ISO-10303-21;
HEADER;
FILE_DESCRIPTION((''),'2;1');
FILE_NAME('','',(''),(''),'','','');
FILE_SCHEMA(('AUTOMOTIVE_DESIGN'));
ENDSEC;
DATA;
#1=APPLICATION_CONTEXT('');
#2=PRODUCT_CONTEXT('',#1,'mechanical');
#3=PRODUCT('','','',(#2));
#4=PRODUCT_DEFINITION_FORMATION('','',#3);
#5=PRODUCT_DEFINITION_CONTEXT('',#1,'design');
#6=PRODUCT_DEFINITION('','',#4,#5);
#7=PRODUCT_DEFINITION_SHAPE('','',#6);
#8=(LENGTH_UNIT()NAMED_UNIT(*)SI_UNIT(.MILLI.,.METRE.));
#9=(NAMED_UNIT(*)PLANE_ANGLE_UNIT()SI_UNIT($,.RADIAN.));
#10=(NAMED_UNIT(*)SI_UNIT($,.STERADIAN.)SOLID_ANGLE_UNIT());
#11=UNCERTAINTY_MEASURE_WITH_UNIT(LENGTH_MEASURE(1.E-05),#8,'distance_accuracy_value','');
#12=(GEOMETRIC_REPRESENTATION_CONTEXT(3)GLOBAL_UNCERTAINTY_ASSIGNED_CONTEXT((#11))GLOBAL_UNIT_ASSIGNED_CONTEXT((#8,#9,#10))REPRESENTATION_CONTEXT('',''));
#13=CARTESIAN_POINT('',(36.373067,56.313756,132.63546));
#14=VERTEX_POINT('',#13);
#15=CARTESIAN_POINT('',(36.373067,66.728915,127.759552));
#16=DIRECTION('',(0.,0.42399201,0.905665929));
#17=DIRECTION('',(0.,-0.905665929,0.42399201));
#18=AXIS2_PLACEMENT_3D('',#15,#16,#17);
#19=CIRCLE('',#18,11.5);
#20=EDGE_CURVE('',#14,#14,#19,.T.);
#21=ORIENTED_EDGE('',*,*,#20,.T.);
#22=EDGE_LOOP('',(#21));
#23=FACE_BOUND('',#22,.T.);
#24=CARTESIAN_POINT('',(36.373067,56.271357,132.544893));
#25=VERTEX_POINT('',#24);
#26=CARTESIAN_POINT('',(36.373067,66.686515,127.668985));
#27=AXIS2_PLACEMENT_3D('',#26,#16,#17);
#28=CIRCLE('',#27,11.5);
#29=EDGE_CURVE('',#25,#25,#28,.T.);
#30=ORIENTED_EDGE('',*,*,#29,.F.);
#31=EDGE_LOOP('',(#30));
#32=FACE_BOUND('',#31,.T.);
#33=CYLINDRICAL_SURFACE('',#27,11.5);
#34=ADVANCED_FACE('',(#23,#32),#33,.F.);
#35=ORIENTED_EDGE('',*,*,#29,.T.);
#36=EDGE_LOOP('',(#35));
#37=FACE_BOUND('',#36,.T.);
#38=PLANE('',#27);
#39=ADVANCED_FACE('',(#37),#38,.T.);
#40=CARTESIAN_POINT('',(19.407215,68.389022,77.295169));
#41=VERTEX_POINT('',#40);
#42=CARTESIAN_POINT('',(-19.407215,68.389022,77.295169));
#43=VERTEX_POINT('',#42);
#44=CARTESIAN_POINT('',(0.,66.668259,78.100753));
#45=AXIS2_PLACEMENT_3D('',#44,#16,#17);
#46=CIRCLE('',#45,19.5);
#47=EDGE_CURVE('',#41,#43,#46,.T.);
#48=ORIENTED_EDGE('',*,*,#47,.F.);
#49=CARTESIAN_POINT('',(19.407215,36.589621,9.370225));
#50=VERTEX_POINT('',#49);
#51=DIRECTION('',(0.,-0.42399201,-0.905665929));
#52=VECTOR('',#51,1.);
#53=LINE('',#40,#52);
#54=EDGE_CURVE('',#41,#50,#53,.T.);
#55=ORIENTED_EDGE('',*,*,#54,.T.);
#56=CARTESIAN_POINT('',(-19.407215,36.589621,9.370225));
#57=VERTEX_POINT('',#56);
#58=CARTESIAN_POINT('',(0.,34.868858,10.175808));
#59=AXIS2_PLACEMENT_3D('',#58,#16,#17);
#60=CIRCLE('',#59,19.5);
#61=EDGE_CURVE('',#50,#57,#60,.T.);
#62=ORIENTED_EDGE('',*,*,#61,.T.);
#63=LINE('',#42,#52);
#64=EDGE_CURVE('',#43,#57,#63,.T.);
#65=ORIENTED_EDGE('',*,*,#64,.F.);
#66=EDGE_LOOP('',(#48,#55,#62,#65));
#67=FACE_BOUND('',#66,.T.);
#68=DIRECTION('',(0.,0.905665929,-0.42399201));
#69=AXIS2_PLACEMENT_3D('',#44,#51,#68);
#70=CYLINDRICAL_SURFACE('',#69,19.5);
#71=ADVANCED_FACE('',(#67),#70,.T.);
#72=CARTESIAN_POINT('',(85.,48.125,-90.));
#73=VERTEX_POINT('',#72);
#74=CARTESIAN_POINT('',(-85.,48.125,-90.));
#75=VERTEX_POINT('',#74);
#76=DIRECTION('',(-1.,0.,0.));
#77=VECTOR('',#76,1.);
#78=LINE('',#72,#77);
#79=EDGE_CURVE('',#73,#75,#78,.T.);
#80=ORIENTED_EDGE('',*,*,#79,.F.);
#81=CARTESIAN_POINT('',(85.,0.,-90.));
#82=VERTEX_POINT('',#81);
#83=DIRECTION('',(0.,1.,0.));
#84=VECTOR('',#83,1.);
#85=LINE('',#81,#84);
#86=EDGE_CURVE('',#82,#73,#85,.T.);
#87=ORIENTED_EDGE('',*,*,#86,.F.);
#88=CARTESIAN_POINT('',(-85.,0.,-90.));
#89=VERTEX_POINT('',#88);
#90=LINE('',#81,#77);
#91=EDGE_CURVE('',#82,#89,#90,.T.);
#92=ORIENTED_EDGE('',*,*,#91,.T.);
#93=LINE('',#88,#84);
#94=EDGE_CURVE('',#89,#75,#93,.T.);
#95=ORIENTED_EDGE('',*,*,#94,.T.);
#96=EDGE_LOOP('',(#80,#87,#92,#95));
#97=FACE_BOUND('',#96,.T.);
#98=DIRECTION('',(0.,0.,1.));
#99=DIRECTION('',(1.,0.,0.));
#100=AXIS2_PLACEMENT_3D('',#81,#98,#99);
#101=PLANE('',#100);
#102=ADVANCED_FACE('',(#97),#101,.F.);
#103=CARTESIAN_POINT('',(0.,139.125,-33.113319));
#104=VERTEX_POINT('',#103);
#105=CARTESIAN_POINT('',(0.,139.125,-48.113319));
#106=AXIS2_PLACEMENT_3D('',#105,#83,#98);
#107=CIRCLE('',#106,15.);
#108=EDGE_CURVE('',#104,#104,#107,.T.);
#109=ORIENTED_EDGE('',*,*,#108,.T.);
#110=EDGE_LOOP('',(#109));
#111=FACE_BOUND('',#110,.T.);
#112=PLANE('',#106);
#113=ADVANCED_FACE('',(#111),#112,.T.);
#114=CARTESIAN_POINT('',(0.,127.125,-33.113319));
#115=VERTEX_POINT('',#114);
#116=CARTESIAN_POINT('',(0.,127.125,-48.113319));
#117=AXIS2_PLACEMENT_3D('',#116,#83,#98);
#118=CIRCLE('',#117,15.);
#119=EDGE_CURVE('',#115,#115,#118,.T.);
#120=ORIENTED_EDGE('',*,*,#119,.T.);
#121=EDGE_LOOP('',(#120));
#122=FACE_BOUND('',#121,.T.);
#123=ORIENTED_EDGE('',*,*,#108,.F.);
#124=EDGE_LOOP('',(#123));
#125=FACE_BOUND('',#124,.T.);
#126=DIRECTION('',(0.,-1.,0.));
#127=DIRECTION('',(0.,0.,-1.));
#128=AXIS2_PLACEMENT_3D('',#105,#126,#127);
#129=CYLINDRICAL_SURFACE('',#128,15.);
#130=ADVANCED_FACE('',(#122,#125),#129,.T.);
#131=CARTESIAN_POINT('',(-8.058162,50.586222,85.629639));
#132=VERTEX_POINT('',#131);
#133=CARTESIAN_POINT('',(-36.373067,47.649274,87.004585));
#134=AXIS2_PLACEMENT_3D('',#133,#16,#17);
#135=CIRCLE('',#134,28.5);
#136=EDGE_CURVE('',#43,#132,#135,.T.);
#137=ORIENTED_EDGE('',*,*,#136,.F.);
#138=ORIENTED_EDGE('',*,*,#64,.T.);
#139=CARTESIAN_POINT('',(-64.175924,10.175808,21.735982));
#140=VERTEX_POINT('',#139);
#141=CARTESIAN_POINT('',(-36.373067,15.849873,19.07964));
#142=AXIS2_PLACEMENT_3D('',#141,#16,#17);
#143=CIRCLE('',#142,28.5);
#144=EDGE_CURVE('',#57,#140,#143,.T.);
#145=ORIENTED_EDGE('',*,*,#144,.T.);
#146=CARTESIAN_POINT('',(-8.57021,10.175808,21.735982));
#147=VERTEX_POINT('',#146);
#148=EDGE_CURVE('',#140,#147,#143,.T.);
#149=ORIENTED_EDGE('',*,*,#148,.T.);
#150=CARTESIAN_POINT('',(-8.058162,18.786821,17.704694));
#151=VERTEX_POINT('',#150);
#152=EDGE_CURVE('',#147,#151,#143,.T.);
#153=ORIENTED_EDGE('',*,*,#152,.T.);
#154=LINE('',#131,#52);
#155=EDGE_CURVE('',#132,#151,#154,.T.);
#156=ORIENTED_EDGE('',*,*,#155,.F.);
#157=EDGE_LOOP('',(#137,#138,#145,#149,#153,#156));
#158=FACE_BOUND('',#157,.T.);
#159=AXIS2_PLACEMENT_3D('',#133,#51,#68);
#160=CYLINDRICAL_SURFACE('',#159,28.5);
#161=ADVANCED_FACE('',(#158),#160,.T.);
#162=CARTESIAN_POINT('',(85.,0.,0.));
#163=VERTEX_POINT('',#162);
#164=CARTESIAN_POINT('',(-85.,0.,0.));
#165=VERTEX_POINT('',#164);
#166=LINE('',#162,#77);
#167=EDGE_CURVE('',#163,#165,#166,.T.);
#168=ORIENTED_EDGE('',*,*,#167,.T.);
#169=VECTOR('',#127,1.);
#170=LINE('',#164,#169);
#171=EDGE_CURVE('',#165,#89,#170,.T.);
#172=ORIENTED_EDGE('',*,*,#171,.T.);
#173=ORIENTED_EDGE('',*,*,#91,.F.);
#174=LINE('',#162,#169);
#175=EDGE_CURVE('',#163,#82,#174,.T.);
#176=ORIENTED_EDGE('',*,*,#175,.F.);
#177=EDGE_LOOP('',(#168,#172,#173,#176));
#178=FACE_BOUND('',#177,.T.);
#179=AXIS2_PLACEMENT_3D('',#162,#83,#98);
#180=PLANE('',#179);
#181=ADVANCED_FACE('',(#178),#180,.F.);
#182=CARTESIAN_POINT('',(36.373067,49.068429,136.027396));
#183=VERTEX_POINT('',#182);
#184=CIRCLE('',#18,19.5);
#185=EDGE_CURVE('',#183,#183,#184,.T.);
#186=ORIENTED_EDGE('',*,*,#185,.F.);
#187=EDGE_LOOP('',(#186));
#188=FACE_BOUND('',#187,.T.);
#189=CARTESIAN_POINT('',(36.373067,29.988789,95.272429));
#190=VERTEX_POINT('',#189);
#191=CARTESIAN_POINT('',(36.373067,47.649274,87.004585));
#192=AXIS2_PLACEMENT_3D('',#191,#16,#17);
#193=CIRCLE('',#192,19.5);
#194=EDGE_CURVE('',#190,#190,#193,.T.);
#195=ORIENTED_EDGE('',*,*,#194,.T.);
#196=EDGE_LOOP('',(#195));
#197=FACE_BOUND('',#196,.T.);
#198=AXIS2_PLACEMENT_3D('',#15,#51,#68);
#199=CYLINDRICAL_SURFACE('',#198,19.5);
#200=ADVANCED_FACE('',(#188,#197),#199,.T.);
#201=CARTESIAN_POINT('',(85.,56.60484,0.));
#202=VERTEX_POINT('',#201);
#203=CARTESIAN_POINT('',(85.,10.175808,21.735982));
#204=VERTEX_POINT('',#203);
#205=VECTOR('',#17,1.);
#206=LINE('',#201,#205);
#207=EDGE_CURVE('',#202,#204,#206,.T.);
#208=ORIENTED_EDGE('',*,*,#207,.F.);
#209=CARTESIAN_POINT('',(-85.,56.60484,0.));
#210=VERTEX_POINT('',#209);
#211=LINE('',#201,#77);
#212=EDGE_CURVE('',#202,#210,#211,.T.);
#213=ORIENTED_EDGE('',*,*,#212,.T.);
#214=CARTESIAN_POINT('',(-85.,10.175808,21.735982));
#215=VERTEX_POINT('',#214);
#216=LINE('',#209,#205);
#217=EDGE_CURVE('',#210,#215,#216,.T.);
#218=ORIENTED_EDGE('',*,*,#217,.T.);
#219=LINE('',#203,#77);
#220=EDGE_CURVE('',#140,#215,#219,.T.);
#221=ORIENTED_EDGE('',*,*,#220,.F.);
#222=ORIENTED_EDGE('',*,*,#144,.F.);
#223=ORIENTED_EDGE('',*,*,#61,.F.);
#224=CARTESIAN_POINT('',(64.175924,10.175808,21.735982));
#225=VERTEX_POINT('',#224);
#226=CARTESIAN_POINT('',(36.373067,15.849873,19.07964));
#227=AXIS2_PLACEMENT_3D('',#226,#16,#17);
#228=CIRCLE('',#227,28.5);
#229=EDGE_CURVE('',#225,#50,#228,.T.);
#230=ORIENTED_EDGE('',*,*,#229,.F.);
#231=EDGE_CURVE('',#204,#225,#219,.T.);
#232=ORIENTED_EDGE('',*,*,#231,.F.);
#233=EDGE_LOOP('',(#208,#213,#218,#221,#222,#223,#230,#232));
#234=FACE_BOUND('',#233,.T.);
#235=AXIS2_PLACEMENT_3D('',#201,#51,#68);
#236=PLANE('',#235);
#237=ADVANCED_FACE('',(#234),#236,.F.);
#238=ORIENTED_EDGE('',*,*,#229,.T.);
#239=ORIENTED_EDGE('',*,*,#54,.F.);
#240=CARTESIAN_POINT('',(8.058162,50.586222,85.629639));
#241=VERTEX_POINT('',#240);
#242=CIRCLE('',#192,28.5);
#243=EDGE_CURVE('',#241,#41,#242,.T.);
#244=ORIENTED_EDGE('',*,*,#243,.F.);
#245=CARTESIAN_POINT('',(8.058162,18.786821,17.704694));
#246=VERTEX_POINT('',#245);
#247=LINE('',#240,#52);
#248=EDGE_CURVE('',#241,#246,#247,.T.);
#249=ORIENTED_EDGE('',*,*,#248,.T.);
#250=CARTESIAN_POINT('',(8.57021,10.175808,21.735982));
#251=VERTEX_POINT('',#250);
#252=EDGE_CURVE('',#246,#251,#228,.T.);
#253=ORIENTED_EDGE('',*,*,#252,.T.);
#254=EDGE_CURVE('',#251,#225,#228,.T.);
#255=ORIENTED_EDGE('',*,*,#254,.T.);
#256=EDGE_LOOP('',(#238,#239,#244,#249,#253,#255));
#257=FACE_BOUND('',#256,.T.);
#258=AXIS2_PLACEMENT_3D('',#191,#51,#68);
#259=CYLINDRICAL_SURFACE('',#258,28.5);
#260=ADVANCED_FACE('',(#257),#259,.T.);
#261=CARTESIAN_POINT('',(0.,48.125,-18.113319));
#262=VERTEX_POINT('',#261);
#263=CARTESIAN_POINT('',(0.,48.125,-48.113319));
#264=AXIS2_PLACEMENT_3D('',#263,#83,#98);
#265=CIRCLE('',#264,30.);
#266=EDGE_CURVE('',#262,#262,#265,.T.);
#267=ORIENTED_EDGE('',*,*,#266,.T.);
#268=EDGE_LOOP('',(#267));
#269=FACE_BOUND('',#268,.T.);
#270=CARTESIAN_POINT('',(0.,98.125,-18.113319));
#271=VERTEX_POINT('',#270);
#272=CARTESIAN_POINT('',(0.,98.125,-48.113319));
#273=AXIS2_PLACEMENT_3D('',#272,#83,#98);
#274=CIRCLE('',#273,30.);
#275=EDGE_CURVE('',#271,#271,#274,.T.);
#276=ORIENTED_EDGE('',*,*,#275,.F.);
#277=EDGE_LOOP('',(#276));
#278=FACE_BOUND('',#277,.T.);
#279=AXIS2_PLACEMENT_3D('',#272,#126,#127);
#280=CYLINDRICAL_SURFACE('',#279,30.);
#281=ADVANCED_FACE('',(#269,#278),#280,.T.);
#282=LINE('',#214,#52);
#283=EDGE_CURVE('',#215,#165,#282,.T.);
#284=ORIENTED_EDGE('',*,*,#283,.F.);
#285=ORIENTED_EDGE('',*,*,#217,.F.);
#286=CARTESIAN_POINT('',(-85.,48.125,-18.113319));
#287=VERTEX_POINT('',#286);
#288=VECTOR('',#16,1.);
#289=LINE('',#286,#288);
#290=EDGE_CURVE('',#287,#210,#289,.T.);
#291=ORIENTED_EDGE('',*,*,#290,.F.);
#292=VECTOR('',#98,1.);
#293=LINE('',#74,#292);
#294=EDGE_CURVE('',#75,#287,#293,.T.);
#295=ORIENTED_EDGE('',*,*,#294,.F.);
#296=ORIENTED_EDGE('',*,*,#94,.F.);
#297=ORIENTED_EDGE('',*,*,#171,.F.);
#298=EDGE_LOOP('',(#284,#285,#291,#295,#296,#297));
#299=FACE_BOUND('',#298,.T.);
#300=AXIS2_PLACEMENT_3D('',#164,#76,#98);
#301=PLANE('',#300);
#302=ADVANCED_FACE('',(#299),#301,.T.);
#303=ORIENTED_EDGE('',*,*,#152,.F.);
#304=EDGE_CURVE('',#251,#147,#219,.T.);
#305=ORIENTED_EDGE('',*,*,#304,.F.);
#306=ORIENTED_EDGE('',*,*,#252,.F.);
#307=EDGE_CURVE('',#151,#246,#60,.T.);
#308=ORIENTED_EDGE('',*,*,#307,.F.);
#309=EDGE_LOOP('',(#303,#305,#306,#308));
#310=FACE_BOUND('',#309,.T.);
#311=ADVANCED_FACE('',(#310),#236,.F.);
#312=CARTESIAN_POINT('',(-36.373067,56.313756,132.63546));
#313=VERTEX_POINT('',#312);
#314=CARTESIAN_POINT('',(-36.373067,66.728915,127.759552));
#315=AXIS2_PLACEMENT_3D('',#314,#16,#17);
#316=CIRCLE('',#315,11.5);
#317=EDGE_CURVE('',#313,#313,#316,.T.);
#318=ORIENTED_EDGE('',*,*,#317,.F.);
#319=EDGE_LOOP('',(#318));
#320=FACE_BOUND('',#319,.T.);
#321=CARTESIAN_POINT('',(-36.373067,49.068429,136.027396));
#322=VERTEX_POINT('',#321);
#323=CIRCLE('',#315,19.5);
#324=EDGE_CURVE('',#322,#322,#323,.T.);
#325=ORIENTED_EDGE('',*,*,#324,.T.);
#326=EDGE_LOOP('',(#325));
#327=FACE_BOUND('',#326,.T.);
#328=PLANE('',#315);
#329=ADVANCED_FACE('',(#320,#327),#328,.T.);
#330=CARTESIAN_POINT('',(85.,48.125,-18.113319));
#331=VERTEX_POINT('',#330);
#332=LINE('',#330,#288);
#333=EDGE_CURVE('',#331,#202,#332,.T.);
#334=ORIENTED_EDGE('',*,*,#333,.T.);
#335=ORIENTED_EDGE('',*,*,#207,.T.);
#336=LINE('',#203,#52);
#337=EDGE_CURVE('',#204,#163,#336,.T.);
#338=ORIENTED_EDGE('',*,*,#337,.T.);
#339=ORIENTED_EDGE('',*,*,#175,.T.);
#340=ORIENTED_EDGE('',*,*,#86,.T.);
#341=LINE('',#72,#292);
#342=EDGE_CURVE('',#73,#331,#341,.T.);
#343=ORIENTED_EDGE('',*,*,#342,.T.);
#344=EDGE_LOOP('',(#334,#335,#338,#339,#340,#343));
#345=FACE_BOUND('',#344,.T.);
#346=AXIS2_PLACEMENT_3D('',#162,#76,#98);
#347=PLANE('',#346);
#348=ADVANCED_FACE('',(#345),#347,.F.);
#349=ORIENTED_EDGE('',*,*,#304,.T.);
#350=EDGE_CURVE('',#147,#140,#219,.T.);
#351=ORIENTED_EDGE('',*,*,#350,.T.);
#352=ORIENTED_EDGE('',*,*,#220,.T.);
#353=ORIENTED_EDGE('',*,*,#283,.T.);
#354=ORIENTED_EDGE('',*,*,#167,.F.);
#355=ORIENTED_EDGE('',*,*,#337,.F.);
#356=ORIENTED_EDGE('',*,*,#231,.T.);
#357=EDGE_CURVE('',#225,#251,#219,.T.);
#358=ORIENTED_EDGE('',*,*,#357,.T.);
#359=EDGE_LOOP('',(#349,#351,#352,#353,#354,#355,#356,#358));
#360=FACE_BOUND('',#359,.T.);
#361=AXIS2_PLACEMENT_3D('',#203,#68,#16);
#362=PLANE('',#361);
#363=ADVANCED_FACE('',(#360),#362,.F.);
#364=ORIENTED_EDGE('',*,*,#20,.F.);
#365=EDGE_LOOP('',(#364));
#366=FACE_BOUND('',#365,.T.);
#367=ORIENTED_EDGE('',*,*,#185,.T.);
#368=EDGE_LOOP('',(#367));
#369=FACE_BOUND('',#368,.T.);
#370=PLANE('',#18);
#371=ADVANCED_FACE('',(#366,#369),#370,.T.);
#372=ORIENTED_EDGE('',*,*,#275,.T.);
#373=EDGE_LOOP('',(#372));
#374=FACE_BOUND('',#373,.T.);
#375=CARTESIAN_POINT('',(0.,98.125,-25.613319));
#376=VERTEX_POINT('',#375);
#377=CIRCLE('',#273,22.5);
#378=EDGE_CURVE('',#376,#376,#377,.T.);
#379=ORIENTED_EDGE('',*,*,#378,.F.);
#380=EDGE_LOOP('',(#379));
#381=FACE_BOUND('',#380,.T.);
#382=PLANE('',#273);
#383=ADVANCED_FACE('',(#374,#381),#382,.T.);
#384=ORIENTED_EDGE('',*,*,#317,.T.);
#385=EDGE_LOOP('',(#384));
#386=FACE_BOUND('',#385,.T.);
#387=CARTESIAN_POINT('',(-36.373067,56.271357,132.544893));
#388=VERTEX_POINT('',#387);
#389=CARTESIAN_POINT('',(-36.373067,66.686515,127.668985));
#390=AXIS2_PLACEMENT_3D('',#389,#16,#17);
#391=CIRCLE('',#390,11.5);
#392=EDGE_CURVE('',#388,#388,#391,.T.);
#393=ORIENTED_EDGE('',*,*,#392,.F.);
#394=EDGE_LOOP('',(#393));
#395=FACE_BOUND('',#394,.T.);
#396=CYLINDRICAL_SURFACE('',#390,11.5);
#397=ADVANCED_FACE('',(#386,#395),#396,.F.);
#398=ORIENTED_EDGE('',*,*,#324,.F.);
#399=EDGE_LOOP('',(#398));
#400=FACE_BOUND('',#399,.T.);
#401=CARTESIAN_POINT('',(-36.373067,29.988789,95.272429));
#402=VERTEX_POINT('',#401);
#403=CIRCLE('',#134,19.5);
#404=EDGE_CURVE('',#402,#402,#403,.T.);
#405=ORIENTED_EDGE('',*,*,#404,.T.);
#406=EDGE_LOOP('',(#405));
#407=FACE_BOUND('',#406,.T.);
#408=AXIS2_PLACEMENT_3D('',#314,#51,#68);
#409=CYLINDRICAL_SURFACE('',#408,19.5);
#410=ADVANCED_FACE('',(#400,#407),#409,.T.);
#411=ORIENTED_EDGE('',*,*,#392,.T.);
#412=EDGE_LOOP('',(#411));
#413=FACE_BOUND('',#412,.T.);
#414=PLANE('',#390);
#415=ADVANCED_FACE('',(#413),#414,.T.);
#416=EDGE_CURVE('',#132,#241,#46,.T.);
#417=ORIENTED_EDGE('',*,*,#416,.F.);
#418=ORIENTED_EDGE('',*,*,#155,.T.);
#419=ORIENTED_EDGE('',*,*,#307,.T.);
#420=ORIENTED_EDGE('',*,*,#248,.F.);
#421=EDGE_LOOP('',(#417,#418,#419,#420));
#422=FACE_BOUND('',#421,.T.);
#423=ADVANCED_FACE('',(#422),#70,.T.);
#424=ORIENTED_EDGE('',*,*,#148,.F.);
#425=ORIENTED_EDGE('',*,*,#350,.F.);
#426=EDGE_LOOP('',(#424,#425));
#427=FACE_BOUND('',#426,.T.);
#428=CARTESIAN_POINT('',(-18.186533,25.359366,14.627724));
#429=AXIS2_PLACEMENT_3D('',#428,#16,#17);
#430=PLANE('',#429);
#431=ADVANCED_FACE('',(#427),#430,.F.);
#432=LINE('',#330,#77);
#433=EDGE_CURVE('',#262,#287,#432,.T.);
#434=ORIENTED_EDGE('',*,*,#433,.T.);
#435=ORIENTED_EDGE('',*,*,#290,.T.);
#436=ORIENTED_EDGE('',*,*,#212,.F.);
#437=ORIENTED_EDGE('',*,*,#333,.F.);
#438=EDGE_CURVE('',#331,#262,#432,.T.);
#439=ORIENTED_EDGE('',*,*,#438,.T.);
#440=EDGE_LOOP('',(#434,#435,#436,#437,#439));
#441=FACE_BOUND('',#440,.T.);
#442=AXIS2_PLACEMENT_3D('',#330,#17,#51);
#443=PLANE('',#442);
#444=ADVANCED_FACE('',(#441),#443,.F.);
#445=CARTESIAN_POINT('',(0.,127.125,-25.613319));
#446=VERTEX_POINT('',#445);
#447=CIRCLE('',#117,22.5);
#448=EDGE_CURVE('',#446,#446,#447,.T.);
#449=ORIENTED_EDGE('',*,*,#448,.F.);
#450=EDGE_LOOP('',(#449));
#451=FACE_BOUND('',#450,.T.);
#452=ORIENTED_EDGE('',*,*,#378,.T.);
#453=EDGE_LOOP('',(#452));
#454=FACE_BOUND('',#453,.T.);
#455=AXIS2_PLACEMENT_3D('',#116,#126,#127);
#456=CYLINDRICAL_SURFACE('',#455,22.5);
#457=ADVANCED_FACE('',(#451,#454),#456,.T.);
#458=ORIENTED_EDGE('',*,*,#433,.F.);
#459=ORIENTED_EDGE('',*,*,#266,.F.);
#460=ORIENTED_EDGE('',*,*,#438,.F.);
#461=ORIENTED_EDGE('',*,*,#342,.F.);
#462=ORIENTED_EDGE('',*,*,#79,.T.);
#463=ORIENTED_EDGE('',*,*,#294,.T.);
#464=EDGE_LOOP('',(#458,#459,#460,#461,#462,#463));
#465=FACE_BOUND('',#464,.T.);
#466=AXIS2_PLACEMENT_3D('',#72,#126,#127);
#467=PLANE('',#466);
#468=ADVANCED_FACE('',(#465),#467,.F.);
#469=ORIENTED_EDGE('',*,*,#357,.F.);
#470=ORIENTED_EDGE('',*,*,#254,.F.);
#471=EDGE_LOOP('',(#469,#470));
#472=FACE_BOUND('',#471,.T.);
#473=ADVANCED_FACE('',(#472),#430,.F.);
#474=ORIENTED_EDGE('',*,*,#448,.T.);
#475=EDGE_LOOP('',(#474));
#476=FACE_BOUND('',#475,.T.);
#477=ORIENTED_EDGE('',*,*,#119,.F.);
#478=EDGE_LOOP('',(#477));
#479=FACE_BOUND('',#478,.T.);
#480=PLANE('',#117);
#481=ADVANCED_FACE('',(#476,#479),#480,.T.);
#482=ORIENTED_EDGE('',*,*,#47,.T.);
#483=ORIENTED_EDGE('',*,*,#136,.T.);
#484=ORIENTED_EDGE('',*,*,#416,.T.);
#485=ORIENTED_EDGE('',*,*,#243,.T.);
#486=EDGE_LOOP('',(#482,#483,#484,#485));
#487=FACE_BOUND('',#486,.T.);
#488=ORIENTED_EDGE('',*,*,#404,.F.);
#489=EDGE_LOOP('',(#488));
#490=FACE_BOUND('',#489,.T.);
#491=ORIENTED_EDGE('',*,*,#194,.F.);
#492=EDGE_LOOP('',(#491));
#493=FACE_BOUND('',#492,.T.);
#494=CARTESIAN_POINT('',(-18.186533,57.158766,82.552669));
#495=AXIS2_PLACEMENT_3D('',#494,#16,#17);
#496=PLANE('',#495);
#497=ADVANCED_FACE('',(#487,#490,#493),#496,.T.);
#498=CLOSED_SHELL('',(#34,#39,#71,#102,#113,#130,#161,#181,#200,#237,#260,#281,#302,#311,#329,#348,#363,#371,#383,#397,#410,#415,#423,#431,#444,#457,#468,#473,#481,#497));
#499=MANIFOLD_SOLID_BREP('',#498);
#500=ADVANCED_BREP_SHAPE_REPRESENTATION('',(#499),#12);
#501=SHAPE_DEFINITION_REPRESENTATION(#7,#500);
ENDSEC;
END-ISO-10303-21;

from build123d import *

# Parameters (mm, degrees)
BOSS_EXTRUDE1_DEPTH = 85
SKETCH4_R           = 30
BOSS_EXTRUDE2_DEPTH = 50
SKETCH5_R           = 22.5
BOSS_EXTRUDE3_DEPTH = 29
SKETCH6_R           = 15
BOSS_EXTRUDE4_DEPTH = 12
BOSS_EXTRUDE5_DEPTH = 75
SKETCH8_R           = 19.5
BOSS_EXTRUDE6_DEPTH = 45
SKETCH9_R           = 11.5
CUT_EXTRUDE1_DEPTH  = 0.1


with BuildPart() as part:
    # Sketch3 → Boss-Extrude1 (new, symmetric)
    with BuildSketch(Plane(origin=(0, 0, 0), x_dir=(0, 0, -1), z_dir=(1, 0, 0))):
        Polygon((0, 0), (90, 0), (90, 48.125), (18.113318582, 48.125), (0, 56.604840209), (-21.735982298, 10.17580825), align=None)
    extrude(amount=BOSS_EXTRUDE1_DEPTH, both=True)

    # Sketch4 → Boss-Extrude2 (add)
    with BuildSketch(Plane(origin=(0, 48.125, 0), x_dir=(1, 0, 0), z_dir=(0, 1, 0))):
        with Locations((0, 48.113318582)):
            Circle(SKETCH4_R)
    extrude(amount=BOSS_EXTRUDE2_DEPTH)

    # Sketch5 → Boss-Extrude3 (add)
    with BuildSketch(Plane(origin=(0, 98.125, 0), x_dir=(1, 0, 0), z_dir=(0, 1, 0))):
        with Locations((0, 48.113318582)):
            Circle(SKETCH5_R)
    extrude(amount=BOSS_EXTRUDE3_DEPTH)

    # Sketch6 → Boss-Extrude4 (add)
    with BuildSketch(Plane(origin=(0, 127.125, 0), x_dir=(1, 0, 0), z_dir=(0, 1, 0))):
        with Locations((0, 48.113318582)):
            Circle(SKETCH6_R)
    extrude(amount=BOSS_EXTRUDE4_DEPTH)

    # Sketch7 → Boss-Extrude5 (add)
    with BuildSketch(Plane(origin=(0, 10.17580825, 21.735982298), x_dir=(1, 0, 0), z_dir=(0, 0.4239920104282593, 0.9056659290781578))):
        with BuildLine():
            ThreePointArc((-8.058161684, 9.507934936), (0, 7.765075198), (8.058161684, 9.507934936))
            ThreePointArc((8.058161684, 9.507934936), (61.054790967, -7.984924802), (19.407215407, 29.165072602))
            ThreePointArc((19.407215407, 29.165072602), (0, 46.765075198), (-19.407215407, 29.165072602))
            ThreePointArc((-19.407215407, 29.165072602), (-61.054790967, -7.984924802), (-8.058161684, 9.507934936))
        make_face()
    extrude(amount=BOSS_EXTRUDE5_DEPTH)

    # Sketch8 → Boss-Extrude6 (add)
    with BuildSketch(Plane(origin=(0, 41.975209032, 89.660926979), x_dir=(1, 0, 0), z_dir=(0, 0.42399201042825935, 0.905665929078158))):
        with Locations((-36.373066959, 6.265075198)):
            Circle(SKETCH8_R)
        with Locations((36.373066959, 6.265075198)):
            Circle(SKETCH8_R)
    extrude(amount=BOSS_EXTRUDE6_DEPTH)

    # Sketch9 → Cut-Extrude1 (cut)
    with BuildSketch(Plane(origin=(0, 61.054849502, 130.415893787), x_dir=(1, 0, 0), z_dir=(0, 0.42399201042825946, 0.9056659290781579))):
        with Locations((-36.373066959, 6.265075198)):
            Circle(SKETCH9_R)
        with Locations((36.373066959, 6.265075198)):
            Circle(SKETCH9_R)
    extrude(amount=-CUT_EXTRUDE1_DEPTH, mode=Mode.SUBTRACT)


solid = part.part
